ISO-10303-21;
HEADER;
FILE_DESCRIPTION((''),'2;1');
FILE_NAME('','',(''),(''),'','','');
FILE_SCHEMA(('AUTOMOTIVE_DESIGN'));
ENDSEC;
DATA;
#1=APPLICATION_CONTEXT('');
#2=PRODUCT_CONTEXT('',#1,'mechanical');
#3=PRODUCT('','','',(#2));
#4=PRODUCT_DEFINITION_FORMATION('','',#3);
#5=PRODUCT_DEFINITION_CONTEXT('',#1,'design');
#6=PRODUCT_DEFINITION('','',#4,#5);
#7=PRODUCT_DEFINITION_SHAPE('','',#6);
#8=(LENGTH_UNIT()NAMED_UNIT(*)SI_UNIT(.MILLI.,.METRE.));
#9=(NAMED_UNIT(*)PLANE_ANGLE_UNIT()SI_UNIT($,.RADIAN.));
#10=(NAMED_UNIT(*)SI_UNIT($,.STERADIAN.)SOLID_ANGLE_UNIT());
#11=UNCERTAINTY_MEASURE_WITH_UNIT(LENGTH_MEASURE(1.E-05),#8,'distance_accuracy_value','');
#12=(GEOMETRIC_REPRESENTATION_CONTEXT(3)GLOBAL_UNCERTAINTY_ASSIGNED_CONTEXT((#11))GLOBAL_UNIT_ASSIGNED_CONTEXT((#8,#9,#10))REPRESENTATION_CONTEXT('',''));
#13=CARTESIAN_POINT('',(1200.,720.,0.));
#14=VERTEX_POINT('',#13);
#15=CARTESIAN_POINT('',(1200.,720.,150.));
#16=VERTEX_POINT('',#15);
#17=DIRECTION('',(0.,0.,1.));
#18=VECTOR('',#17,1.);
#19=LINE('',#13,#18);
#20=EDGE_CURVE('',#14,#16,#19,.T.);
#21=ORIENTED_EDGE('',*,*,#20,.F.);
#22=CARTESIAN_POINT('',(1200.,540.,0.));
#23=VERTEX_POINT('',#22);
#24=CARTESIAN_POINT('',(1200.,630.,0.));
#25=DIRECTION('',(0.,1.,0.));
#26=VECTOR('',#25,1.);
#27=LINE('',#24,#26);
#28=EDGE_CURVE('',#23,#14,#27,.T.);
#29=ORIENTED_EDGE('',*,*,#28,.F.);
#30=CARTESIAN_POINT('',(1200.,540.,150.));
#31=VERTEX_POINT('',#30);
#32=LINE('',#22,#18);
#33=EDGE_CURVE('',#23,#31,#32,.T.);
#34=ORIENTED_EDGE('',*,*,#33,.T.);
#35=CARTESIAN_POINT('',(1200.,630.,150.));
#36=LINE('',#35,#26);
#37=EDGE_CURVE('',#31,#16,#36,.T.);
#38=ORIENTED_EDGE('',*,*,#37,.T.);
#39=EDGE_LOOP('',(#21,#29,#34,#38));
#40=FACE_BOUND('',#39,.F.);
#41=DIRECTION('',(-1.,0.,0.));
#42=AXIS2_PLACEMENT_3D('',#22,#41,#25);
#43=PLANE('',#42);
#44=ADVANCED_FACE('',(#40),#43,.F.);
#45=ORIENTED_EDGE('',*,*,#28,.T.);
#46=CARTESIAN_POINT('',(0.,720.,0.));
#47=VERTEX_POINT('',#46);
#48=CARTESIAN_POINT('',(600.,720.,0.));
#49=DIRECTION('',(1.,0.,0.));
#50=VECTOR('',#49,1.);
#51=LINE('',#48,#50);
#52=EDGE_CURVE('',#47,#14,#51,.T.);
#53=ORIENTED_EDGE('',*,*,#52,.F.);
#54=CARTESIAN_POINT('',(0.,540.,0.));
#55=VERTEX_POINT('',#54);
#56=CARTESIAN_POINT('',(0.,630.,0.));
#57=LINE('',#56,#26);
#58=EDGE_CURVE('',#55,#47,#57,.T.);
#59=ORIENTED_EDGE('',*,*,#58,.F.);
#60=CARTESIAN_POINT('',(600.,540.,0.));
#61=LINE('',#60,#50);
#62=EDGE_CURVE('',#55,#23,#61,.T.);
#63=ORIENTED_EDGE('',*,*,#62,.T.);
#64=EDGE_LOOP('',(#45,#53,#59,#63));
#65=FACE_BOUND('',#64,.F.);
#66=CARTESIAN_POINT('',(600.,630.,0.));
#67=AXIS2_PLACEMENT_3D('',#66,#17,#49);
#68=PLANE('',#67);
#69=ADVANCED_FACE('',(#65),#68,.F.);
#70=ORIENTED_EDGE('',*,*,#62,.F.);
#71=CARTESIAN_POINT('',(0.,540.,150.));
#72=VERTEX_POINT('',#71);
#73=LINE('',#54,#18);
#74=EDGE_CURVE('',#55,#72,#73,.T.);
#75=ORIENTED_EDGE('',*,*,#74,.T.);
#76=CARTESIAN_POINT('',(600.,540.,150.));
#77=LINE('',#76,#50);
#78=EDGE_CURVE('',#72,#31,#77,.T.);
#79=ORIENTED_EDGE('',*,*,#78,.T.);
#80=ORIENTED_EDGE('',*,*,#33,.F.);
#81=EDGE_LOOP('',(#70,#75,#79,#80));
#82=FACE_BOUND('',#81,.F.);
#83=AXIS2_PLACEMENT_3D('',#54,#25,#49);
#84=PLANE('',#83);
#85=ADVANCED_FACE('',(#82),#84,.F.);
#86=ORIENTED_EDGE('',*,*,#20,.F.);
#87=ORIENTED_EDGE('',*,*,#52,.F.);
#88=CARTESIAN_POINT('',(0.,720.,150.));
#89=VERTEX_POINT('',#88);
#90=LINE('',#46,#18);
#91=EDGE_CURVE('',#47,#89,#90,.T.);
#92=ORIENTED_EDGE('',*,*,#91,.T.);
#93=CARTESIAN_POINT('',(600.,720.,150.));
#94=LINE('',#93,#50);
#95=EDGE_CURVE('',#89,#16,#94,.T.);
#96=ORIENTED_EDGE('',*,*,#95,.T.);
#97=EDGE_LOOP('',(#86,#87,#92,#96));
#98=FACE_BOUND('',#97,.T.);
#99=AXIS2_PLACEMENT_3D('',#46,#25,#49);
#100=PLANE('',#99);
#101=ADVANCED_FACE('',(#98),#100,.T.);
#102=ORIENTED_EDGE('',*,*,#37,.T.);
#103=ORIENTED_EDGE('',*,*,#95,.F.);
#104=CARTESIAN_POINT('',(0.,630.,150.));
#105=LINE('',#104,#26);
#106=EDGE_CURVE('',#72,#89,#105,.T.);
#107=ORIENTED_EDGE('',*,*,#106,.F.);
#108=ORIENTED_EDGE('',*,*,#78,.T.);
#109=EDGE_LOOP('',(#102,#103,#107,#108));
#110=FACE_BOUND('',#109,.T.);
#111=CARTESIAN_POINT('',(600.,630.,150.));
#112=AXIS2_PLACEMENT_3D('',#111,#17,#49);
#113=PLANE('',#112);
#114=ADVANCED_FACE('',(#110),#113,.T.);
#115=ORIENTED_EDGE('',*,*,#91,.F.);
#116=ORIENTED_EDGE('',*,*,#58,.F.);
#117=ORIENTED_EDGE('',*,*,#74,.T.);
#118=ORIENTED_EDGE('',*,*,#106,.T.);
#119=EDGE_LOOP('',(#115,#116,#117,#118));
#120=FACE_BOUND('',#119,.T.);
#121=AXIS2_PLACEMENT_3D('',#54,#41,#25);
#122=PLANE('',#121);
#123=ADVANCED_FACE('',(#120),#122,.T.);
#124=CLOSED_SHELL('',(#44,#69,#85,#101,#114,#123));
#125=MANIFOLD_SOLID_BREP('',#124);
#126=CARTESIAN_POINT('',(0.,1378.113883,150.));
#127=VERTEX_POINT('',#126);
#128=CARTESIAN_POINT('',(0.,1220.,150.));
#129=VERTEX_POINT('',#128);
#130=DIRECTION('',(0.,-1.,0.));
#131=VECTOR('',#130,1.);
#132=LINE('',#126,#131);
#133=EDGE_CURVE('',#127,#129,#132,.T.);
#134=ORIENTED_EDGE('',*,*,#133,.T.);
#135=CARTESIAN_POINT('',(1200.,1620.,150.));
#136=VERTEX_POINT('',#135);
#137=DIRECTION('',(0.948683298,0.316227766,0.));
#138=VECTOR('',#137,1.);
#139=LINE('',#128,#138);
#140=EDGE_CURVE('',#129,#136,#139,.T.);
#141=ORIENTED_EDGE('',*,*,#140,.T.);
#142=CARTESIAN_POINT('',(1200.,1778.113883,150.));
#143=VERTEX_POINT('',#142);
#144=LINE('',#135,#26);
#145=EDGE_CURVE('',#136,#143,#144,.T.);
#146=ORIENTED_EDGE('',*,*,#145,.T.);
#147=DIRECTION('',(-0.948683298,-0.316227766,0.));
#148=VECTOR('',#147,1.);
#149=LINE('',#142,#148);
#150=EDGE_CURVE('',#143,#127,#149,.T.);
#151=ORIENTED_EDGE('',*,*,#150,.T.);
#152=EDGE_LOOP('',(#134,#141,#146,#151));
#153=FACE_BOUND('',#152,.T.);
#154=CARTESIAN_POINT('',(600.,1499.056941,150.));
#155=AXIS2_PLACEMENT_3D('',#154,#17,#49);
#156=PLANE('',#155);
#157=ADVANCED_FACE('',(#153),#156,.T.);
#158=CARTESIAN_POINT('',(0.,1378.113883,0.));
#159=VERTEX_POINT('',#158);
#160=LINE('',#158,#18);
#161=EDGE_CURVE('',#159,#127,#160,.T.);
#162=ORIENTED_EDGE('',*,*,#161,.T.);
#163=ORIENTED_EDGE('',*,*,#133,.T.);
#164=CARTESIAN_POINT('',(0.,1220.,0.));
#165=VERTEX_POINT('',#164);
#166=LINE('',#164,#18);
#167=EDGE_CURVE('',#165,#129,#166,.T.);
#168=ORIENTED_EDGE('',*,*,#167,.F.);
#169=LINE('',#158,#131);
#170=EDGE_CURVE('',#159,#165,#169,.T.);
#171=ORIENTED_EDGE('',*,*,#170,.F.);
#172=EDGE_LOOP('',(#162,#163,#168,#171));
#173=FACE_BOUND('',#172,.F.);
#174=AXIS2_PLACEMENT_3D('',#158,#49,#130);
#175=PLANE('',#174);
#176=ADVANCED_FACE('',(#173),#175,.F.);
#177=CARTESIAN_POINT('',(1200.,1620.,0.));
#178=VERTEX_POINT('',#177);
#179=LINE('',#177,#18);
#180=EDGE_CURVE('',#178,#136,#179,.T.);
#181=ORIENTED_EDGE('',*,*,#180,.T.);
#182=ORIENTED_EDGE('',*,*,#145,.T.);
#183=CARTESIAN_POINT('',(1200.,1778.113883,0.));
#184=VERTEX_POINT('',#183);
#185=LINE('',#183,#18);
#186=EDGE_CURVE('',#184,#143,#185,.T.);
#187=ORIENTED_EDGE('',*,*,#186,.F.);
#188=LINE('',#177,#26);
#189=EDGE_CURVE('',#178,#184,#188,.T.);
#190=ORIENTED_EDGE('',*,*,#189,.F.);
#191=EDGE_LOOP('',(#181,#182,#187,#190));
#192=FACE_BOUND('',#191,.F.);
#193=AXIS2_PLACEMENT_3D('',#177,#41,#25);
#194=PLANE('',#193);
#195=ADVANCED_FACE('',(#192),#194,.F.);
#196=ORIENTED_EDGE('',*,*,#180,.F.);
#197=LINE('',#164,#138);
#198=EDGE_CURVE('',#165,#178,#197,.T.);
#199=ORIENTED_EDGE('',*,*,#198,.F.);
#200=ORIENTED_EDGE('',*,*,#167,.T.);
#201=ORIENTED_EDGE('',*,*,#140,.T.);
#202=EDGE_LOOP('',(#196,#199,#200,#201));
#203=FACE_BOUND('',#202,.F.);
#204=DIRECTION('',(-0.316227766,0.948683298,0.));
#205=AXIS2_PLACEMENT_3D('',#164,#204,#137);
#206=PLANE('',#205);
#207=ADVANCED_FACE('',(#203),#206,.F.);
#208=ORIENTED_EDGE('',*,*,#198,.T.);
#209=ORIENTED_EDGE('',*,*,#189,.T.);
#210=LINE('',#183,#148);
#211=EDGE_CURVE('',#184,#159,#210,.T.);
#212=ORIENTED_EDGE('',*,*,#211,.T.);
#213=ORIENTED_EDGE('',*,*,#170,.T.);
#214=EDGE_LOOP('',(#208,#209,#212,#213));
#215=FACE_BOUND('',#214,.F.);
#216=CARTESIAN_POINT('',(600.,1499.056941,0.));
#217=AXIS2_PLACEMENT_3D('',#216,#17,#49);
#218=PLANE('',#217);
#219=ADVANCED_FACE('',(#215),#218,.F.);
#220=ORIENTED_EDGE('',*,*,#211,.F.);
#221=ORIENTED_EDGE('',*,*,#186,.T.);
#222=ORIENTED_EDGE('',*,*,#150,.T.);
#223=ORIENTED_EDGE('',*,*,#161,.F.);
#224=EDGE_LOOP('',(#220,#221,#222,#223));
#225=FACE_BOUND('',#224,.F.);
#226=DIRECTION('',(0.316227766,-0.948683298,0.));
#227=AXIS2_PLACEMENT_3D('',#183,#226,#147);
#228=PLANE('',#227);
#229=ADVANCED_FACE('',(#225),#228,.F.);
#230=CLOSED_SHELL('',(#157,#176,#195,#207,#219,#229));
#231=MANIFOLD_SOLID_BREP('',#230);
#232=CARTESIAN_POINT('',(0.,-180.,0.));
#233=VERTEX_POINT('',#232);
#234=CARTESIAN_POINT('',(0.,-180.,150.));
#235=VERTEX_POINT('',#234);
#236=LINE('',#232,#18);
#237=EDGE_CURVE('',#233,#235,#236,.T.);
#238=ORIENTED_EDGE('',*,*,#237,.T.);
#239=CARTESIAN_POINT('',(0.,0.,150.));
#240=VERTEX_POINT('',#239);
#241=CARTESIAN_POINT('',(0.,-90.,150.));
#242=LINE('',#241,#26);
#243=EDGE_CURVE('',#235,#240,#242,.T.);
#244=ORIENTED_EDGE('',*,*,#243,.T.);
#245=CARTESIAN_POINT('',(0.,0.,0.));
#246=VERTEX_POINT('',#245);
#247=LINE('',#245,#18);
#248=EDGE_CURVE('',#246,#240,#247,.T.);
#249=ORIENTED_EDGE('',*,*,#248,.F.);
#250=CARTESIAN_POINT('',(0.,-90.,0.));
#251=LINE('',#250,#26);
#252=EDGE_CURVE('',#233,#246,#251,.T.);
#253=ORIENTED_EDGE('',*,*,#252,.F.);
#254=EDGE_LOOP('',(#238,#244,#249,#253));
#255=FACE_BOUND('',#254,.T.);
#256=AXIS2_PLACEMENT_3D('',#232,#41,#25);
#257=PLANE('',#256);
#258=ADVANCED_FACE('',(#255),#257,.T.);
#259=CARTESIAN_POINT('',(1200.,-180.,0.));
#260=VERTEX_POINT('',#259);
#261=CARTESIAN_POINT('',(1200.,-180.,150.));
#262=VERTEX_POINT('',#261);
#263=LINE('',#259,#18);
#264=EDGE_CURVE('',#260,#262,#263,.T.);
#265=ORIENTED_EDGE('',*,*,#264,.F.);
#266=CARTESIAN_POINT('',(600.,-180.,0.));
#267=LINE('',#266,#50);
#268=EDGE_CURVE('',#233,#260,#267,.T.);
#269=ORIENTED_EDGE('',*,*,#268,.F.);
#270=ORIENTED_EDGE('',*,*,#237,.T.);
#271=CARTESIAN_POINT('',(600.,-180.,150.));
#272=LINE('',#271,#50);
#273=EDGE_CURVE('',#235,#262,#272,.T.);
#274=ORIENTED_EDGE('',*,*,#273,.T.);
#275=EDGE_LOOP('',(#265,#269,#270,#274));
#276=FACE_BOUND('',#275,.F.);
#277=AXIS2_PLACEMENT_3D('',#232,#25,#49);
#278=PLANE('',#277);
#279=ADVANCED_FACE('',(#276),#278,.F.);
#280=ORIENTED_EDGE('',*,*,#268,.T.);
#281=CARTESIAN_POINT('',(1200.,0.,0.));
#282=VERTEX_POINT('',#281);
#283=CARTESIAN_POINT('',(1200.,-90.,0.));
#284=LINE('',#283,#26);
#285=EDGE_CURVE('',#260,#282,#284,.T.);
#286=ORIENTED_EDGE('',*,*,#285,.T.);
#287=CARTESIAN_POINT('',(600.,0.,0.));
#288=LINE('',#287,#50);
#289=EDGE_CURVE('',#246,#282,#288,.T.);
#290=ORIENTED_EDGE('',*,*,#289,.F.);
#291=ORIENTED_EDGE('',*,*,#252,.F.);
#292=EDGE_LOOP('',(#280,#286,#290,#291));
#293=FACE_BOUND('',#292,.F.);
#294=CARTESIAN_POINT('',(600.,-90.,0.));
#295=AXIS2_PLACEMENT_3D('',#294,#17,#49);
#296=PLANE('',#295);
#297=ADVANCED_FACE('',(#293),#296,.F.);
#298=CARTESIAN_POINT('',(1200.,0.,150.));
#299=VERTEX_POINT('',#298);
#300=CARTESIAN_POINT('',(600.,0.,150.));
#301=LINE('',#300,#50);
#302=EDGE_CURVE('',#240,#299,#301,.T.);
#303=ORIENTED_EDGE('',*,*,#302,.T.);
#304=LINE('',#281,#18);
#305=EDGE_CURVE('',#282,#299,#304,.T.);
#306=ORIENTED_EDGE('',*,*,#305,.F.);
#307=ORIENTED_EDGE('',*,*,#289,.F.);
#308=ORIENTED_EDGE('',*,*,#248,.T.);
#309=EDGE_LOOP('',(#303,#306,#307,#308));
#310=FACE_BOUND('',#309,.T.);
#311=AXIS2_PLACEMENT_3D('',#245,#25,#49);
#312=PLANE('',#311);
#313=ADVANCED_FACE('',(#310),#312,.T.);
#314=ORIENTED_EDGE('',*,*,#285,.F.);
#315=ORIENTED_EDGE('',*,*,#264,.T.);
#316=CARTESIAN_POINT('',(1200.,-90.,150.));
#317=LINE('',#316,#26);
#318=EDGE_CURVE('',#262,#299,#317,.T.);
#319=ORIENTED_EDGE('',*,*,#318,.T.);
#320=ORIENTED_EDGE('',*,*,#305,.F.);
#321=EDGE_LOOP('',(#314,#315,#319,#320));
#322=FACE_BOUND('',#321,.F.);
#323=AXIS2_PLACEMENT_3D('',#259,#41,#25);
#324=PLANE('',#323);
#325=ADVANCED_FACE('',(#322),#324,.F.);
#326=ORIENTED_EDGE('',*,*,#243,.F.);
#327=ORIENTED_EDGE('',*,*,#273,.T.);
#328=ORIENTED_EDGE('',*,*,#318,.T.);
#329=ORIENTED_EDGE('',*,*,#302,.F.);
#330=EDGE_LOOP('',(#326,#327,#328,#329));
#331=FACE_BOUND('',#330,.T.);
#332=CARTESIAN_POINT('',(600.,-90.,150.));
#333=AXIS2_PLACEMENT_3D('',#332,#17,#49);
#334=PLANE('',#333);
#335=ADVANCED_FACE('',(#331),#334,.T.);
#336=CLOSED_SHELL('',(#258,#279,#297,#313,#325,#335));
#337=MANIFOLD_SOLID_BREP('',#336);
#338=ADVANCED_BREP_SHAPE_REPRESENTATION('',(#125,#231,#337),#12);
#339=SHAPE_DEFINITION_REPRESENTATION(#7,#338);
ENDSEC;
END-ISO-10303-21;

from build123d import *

# Parameters (mm, degrees)
F0_W     = 1200
F0_H     = 180
F1_DEPTH = 150


with BuildPart() as f1:
    # F0 (on Top) → F1 (new body)
    with BuildSketch(Plane.XY):
        Polygon((1200, 1778.113883), (0, 1378.113883), (0, 1220), (1200, 1620), align=None)
        with Locations((600, 630)):
            Rectangle(F0_W, F0_H)
        with Locations((600, -90)):
            Rectangle(F0_W, F0_H)
    extrude(amount=F1_DEPTH)


solid = f1.part
